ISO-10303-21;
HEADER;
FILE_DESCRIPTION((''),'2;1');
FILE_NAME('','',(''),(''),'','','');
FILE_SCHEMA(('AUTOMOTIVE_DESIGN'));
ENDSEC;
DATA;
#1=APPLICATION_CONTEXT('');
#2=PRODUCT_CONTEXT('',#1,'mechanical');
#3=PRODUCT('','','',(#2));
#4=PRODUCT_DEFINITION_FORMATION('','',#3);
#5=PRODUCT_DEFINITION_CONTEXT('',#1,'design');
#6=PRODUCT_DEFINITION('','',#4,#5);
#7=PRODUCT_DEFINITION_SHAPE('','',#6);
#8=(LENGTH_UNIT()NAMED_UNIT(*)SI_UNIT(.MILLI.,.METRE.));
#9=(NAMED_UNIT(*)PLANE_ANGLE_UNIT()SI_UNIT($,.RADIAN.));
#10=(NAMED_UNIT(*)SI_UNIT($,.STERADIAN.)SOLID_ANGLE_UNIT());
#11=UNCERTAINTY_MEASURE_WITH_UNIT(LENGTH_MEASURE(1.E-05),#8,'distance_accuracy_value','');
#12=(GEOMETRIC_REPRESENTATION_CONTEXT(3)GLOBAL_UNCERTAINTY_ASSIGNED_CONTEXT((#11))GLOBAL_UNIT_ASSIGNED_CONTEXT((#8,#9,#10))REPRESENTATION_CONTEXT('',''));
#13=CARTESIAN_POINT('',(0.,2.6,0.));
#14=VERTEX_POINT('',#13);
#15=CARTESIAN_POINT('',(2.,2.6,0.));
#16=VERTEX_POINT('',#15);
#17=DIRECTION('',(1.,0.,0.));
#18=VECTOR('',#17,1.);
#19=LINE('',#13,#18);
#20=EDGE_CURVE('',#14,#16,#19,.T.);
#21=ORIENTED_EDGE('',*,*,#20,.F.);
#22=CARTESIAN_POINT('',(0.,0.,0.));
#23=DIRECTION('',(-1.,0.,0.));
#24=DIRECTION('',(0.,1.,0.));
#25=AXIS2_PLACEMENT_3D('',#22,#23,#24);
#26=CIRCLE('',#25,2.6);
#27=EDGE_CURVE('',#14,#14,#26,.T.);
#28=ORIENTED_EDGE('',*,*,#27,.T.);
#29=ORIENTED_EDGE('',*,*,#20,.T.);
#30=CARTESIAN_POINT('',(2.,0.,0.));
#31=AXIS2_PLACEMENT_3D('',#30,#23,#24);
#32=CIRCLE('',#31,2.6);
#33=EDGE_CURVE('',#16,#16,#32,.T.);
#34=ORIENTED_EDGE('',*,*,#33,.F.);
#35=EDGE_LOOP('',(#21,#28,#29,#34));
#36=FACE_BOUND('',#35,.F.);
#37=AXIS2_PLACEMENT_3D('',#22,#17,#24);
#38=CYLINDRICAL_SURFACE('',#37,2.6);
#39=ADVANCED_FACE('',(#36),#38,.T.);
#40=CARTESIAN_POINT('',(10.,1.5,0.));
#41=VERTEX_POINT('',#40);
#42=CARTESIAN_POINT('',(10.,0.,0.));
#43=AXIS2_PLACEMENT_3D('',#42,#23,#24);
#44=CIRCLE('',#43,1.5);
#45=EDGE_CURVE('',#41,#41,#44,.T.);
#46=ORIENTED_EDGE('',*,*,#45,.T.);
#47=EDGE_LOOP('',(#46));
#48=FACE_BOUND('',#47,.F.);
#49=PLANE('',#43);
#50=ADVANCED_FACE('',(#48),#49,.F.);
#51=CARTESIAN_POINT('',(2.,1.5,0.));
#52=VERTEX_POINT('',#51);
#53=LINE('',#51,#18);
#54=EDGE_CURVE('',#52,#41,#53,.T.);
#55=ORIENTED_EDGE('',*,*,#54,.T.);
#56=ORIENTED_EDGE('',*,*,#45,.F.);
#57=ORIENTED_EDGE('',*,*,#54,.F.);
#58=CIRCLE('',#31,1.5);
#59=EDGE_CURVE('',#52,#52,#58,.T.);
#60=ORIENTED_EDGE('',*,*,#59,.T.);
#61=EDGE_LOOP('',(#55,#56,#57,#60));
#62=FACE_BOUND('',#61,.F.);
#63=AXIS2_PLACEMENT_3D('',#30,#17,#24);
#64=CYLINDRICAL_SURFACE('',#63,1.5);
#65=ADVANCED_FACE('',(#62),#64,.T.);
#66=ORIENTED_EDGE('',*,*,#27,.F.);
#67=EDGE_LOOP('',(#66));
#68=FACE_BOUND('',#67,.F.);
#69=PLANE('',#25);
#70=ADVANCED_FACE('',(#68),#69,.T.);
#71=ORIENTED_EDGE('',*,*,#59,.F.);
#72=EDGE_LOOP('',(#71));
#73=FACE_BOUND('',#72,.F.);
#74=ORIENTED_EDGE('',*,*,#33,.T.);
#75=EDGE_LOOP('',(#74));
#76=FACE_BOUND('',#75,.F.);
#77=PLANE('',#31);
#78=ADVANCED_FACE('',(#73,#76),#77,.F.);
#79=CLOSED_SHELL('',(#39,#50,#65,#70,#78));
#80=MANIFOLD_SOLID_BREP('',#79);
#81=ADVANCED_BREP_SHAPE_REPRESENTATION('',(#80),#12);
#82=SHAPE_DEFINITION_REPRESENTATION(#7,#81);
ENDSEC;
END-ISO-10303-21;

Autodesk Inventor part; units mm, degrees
ref_plane "YZ Plane" through (0, 0, 0) normal (1, 0, 0) x (0, 1, 0)
ref_plane "XZ Plane" through (0, 0, 0) normal (0, 1, 0) x (-1, 0, 0)
ref_plane "XY Plane" through (0, 0, 0) normal (0, 0, 1) x (1, 0, 0)
sketch "Sketch1" plane through (0, 0, 0) normal (0, 0, 1) x (1, 0, 0)
  line L0 (0, 0) -> (0, 2.6)
  line L1 (0, 2.6) -> (2, 2.6)
  line L2 (2, 2.6) -> (2, 1.5)
  line L3 (2, 1.5) -> (10, 1.5)
  line L4 (10, 1.5) -> (10, 0)
  line L5 (10, 0) -> (0, 0)
  dimension "d0" = 2.6
  dimension "d1" = 2
  dimension "d2" = 1.1
  dimension "d3" = 8
revolve "Revolution1" add sketch "Sketch1" angle 360 about axis through (10, 0, 0) along (-1, 0, 0)
properties part number "g_bolt"
